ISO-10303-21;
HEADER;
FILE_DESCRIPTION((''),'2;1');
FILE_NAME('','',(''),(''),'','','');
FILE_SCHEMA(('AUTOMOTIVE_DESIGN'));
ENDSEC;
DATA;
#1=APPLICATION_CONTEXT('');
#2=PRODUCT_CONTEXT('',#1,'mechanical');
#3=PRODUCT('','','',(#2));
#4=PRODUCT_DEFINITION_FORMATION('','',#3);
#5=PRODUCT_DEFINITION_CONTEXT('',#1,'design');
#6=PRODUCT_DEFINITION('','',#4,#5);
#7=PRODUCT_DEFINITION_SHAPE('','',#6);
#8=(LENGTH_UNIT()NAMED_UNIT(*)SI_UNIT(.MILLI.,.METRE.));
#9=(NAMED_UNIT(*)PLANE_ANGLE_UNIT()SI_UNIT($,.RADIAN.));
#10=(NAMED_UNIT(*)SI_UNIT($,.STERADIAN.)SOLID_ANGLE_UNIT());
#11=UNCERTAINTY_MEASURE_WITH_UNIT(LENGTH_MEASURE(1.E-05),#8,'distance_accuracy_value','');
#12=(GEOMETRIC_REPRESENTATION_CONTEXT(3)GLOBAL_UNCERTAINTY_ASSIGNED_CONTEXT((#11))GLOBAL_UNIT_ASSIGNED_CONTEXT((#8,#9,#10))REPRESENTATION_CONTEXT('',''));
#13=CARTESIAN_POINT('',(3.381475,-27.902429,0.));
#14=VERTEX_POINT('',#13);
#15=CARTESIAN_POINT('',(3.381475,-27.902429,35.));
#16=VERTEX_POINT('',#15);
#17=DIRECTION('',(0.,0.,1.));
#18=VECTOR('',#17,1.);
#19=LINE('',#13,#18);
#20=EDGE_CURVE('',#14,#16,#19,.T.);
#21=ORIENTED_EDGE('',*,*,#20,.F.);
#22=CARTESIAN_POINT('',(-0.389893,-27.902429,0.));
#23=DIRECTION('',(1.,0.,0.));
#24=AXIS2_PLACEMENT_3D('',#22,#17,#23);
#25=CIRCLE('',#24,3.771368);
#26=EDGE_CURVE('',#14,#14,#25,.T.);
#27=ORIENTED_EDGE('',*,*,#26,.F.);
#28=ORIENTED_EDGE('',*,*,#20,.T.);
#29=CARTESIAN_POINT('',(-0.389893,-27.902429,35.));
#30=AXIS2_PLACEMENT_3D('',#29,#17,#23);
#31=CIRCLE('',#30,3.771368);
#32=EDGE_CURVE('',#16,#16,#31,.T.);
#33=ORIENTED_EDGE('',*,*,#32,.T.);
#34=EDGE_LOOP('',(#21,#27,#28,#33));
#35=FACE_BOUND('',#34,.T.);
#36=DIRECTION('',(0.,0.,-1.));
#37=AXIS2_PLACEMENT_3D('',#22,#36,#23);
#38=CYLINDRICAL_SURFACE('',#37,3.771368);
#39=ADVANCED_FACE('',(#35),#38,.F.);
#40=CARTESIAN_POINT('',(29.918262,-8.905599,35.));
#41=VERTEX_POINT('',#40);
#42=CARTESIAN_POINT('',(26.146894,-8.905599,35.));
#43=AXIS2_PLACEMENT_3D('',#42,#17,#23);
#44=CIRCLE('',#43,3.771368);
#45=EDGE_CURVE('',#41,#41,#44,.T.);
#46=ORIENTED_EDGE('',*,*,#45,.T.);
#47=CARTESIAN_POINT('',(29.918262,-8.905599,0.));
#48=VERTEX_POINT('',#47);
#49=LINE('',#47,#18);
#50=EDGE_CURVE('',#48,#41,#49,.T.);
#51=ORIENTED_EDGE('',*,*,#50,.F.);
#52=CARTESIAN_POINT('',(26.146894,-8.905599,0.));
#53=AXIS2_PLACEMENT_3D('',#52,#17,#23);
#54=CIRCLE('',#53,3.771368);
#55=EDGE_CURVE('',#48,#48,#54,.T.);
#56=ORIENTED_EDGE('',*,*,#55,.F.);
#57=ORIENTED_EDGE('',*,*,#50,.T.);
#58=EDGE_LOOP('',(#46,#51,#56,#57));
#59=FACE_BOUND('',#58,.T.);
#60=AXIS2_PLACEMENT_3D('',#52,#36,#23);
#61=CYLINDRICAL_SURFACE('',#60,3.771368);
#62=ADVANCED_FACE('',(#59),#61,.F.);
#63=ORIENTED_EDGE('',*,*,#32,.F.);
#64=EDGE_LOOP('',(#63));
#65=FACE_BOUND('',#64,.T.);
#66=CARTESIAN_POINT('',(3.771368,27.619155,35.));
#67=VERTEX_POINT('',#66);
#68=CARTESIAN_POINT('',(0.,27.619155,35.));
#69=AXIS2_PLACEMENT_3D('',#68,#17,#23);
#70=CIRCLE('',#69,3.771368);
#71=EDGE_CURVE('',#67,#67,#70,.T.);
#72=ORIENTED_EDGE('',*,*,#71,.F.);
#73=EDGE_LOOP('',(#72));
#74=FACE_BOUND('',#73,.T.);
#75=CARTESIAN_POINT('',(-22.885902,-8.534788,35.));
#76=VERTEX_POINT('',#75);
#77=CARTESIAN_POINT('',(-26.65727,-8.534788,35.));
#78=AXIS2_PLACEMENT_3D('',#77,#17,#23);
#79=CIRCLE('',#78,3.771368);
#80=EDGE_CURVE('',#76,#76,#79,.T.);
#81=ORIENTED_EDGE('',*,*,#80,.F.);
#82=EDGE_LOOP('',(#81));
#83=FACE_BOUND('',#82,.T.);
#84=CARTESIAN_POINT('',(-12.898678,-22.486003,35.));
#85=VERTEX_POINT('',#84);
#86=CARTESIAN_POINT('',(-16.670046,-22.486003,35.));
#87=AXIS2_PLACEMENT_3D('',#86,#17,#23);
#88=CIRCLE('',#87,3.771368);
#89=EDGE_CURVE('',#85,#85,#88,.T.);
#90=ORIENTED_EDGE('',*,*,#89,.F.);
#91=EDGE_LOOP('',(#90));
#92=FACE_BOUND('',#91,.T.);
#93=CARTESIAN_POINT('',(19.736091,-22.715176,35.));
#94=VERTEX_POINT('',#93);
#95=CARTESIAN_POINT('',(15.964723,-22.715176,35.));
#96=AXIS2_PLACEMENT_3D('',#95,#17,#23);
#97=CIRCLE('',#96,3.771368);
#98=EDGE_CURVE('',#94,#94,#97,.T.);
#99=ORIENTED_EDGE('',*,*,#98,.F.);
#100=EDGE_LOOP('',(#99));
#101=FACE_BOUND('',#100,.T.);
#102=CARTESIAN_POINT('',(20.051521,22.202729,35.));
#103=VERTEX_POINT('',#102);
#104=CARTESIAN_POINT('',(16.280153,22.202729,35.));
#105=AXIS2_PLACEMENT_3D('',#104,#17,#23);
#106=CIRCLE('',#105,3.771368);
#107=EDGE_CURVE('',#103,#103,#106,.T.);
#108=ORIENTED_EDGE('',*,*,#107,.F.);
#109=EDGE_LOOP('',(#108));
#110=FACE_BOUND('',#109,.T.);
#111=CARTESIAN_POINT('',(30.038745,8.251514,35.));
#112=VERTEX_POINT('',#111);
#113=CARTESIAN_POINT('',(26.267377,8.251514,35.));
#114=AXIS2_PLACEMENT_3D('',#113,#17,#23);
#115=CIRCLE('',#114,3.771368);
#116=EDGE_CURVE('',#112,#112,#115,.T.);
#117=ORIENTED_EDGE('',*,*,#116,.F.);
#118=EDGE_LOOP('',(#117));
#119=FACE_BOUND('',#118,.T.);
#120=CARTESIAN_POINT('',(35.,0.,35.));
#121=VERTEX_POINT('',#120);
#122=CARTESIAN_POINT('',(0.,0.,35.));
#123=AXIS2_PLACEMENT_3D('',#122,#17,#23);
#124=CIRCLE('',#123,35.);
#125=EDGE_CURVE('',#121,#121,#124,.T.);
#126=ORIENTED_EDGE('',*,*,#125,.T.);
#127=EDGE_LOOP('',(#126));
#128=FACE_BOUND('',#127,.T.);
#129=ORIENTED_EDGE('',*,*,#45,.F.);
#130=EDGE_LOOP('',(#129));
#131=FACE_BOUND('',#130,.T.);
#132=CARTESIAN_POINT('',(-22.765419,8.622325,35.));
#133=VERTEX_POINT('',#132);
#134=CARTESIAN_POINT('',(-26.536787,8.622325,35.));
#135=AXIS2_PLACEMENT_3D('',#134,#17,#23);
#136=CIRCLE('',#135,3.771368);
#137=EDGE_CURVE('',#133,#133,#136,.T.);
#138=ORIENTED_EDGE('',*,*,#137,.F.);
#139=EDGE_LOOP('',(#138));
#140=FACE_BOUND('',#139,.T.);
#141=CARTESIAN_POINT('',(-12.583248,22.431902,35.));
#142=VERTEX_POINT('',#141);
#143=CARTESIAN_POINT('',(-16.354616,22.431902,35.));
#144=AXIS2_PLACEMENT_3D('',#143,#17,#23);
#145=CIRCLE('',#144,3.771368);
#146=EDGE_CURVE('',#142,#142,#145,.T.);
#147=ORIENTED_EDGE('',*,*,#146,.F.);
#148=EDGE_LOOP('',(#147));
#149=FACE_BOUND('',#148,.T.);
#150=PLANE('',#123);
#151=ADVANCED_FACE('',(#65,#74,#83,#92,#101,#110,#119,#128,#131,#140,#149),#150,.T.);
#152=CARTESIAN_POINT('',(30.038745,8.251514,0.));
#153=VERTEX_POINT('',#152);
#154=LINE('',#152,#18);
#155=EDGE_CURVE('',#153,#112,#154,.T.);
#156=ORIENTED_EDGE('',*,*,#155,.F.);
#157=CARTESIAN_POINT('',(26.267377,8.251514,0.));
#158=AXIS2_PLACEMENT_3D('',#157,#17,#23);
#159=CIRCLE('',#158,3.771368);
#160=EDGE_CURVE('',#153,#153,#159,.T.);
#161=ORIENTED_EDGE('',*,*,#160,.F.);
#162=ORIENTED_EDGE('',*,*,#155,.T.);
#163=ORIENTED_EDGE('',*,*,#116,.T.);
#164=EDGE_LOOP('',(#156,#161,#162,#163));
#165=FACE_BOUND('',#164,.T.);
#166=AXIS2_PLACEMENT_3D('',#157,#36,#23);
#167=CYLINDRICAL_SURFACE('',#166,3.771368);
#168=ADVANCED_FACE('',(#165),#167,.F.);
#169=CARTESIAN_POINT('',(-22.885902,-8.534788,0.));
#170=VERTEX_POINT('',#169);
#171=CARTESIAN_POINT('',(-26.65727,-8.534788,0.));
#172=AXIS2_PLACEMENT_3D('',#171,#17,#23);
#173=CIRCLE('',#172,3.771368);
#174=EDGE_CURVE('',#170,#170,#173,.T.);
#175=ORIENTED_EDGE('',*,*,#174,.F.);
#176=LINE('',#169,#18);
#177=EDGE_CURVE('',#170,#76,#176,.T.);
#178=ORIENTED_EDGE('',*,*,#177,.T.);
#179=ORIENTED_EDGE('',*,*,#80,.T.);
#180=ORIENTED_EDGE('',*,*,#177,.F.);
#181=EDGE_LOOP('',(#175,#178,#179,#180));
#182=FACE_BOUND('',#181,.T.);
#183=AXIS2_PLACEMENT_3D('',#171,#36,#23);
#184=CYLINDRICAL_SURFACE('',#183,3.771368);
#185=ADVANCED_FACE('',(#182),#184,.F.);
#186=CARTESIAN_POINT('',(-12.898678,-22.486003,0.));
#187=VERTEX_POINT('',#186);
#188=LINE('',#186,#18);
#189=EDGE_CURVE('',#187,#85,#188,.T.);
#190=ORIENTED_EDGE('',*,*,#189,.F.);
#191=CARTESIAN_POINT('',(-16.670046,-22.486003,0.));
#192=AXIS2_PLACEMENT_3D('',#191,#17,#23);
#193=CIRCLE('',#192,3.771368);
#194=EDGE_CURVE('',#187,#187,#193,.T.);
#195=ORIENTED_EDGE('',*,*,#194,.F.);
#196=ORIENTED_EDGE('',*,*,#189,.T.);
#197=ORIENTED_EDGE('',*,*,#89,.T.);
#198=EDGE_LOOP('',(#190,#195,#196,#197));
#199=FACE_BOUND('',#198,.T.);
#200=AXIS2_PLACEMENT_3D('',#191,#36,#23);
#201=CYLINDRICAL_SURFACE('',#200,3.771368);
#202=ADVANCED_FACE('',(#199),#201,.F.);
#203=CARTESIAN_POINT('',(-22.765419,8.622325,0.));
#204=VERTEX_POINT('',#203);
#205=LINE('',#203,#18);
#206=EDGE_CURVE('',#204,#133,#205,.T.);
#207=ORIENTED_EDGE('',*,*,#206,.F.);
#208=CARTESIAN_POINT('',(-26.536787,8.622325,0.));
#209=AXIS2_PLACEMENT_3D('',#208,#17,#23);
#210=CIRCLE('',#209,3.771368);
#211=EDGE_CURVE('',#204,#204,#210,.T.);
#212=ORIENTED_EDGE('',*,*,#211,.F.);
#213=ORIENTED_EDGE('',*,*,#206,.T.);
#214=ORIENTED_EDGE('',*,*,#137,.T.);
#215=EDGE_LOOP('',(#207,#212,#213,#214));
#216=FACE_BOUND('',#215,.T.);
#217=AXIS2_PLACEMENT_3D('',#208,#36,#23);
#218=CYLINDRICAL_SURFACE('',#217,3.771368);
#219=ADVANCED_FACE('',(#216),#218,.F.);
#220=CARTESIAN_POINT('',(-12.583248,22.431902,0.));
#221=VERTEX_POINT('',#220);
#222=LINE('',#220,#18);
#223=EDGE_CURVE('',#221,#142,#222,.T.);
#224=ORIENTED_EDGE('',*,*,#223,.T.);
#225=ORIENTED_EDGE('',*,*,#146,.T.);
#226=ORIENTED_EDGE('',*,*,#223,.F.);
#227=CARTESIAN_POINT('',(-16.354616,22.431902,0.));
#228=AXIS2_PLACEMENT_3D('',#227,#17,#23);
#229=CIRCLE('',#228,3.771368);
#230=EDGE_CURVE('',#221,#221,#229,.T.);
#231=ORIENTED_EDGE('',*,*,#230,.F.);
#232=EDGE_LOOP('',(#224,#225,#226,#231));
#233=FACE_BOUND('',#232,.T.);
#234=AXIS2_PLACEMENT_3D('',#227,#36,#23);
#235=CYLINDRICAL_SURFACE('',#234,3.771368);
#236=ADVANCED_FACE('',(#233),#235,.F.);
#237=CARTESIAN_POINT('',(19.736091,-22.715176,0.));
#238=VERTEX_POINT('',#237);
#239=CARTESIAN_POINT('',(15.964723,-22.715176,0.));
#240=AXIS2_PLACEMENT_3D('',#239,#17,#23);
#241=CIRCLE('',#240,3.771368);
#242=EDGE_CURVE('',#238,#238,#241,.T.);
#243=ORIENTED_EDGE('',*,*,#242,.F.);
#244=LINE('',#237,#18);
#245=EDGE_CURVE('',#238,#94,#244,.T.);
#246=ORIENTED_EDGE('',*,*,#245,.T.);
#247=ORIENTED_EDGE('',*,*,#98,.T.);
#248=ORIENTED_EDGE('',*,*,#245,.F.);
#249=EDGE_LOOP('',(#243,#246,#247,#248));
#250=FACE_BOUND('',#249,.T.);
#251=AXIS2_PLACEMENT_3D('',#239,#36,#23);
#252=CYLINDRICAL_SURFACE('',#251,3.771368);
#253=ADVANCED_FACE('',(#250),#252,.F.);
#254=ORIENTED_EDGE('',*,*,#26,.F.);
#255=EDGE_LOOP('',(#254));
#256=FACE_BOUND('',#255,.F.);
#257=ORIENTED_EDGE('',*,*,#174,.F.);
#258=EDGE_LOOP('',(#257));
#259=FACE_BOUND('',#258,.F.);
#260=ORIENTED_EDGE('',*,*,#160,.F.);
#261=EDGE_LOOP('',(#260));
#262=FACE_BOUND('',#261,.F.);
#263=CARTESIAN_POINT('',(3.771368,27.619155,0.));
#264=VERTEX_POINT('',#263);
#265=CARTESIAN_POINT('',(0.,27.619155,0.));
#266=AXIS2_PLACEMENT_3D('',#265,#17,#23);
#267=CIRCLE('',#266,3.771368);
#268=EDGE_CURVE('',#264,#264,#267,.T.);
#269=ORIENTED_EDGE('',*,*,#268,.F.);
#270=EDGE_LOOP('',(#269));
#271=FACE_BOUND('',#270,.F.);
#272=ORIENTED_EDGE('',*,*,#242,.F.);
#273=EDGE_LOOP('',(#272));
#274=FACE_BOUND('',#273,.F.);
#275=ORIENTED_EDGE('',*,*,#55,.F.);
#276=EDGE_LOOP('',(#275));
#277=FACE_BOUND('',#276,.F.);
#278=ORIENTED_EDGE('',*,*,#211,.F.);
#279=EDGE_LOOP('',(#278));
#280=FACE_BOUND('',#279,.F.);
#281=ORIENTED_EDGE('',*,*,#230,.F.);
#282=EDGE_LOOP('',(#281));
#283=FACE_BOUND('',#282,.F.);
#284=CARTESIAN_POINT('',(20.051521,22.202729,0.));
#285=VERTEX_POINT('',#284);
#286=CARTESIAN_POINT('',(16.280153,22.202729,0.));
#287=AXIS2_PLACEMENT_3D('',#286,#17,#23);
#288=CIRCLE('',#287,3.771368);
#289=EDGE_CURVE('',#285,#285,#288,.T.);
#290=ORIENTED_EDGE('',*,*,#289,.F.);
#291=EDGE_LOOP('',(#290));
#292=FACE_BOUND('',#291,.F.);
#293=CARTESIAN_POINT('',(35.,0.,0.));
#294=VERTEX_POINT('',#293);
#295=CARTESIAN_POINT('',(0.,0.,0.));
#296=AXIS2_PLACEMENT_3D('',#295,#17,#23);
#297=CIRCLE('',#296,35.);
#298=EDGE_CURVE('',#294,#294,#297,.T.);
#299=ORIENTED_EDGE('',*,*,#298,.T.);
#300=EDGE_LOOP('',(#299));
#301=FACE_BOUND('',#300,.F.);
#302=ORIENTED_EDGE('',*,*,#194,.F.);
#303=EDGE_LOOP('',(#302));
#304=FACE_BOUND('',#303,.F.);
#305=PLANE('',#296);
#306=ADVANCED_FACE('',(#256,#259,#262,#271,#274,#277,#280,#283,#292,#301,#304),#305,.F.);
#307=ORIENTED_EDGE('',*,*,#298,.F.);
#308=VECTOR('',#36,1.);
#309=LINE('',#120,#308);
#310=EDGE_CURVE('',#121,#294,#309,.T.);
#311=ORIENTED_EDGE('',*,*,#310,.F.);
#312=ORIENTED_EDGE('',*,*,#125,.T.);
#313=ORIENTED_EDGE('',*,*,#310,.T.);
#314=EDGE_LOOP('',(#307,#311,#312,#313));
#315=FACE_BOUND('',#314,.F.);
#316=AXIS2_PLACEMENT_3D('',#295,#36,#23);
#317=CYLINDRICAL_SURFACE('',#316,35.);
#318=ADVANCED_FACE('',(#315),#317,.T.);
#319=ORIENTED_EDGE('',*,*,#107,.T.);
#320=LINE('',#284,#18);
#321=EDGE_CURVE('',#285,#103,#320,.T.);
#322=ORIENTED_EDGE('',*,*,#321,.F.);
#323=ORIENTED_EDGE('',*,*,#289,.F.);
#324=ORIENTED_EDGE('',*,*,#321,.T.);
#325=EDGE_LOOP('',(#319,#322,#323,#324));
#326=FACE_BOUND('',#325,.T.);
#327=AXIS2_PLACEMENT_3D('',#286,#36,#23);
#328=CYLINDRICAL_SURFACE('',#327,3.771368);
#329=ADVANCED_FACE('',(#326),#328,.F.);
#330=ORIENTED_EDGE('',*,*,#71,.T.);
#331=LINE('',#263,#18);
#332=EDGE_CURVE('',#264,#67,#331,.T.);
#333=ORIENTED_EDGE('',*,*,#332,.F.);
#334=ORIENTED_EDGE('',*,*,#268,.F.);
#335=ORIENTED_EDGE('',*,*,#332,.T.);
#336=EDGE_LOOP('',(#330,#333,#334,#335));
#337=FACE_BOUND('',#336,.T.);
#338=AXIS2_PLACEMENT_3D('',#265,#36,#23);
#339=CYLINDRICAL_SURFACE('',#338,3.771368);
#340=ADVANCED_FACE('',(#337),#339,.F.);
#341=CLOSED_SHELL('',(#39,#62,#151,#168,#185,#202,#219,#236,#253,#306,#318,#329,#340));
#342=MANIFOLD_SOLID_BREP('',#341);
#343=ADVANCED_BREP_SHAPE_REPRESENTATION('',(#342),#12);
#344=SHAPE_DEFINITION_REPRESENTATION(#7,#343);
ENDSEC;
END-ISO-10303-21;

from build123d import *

# Parameters (mm, degrees)
F0_R     = 35
F0_R_2   = 3.771368
F1_DEPTH = 35
F2_DEPTH = 25


with BuildPart() as f1:
    # F0 (on Top) → F1 (new body)
    with BuildSketch(Plane.XY):
        Circle(F0_R)
        with Locations((-0.389893, -27.902429)):
            Circle(F0_R_2, mode=Mode.SUBTRACT)
        with Locations((-16.670046, -22.486003)):
            Circle(F0_R_2, mode=Mode.SUBTRACT)
        with Locations((-26.65727, -8.534788)):
            Circle(F0_R_2, mode=Mode.SUBTRACT)
        with Locations((15.964723, -22.715176)):
            Circle(F0_R_2, mode=Mode.SUBTRACT)
        with Locations((26.146894, -8.905599)):
            Circle(F0_R_2, mode=Mode.SUBTRACT)
        with Locations((-26.536787, 8.622325)):
            Circle(F0_R_2, mode=Mode.SUBTRACT)
        with Locations((-16.354616, 22.431902)):
            Circle(F0_R_2, mode=Mode.SUBTRACT)
        with Locations((26.267377, 8.251514)):
            Circle(F0_R_2, mode=Mode.SUBTRACT)
        with Locations((16.280153, 22.202729)):
            Circle(F0_R_2, mode=Mode.SUBTRACT)
        with Locations((0, 27.619155)):
            Circle(F0_R_2, mode=Mode.SUBTRACT)
    extrude(amount=F1_DEPTH)

    # F0 (on Top) → F2 (join)
    with BuildSketch(Plane.XY):
        Circle(F0_R)
        with Locations((-0.389893, -27.902429)):
            Circle(F0_R_2, mode=Mode.SUBTRACT)
        with Locations((-16.670046, -22.486003)):
            Circle(F0_R_2, mode=Mode.SUBTRACT)
        with Locations((-26.65727, -8.534788)):
            Circle(F0_R_2, mode=Mode.SUBTRACT)
        with Locations((15.964723, -22.715176)):
            Circle(F0_R_2, mode=Mode.SUBTRACT)
        with Locations((26.146894, -8.905599)):
            Circle(F0_R_2, mode=Mode.SUBTRACT)
        with Locations((-26.536787, 8.622325)):
            Circle(F0_R_2, mode=Mode.SUBTRACT)
        with Locations((-16.354616, 22.431902)):
            Circle(F0_R_2, mode=Mode.SUBTRACT)
        with Locations((26.267377, 8.251514)):
            Circle(F0_R_2, mode=Mode.SUBTRACT)
        with Locations((16.280153, 22.202729)):
            Circle(F0_R_2, mode=Mode.SUBTRACT)
        with Locations((0, 27.619155)):
            Circle(F0_R_2, mode=Mode.SUBTRACT)
    extrude(amount=F2_DEPTH)


solid = f1.part
